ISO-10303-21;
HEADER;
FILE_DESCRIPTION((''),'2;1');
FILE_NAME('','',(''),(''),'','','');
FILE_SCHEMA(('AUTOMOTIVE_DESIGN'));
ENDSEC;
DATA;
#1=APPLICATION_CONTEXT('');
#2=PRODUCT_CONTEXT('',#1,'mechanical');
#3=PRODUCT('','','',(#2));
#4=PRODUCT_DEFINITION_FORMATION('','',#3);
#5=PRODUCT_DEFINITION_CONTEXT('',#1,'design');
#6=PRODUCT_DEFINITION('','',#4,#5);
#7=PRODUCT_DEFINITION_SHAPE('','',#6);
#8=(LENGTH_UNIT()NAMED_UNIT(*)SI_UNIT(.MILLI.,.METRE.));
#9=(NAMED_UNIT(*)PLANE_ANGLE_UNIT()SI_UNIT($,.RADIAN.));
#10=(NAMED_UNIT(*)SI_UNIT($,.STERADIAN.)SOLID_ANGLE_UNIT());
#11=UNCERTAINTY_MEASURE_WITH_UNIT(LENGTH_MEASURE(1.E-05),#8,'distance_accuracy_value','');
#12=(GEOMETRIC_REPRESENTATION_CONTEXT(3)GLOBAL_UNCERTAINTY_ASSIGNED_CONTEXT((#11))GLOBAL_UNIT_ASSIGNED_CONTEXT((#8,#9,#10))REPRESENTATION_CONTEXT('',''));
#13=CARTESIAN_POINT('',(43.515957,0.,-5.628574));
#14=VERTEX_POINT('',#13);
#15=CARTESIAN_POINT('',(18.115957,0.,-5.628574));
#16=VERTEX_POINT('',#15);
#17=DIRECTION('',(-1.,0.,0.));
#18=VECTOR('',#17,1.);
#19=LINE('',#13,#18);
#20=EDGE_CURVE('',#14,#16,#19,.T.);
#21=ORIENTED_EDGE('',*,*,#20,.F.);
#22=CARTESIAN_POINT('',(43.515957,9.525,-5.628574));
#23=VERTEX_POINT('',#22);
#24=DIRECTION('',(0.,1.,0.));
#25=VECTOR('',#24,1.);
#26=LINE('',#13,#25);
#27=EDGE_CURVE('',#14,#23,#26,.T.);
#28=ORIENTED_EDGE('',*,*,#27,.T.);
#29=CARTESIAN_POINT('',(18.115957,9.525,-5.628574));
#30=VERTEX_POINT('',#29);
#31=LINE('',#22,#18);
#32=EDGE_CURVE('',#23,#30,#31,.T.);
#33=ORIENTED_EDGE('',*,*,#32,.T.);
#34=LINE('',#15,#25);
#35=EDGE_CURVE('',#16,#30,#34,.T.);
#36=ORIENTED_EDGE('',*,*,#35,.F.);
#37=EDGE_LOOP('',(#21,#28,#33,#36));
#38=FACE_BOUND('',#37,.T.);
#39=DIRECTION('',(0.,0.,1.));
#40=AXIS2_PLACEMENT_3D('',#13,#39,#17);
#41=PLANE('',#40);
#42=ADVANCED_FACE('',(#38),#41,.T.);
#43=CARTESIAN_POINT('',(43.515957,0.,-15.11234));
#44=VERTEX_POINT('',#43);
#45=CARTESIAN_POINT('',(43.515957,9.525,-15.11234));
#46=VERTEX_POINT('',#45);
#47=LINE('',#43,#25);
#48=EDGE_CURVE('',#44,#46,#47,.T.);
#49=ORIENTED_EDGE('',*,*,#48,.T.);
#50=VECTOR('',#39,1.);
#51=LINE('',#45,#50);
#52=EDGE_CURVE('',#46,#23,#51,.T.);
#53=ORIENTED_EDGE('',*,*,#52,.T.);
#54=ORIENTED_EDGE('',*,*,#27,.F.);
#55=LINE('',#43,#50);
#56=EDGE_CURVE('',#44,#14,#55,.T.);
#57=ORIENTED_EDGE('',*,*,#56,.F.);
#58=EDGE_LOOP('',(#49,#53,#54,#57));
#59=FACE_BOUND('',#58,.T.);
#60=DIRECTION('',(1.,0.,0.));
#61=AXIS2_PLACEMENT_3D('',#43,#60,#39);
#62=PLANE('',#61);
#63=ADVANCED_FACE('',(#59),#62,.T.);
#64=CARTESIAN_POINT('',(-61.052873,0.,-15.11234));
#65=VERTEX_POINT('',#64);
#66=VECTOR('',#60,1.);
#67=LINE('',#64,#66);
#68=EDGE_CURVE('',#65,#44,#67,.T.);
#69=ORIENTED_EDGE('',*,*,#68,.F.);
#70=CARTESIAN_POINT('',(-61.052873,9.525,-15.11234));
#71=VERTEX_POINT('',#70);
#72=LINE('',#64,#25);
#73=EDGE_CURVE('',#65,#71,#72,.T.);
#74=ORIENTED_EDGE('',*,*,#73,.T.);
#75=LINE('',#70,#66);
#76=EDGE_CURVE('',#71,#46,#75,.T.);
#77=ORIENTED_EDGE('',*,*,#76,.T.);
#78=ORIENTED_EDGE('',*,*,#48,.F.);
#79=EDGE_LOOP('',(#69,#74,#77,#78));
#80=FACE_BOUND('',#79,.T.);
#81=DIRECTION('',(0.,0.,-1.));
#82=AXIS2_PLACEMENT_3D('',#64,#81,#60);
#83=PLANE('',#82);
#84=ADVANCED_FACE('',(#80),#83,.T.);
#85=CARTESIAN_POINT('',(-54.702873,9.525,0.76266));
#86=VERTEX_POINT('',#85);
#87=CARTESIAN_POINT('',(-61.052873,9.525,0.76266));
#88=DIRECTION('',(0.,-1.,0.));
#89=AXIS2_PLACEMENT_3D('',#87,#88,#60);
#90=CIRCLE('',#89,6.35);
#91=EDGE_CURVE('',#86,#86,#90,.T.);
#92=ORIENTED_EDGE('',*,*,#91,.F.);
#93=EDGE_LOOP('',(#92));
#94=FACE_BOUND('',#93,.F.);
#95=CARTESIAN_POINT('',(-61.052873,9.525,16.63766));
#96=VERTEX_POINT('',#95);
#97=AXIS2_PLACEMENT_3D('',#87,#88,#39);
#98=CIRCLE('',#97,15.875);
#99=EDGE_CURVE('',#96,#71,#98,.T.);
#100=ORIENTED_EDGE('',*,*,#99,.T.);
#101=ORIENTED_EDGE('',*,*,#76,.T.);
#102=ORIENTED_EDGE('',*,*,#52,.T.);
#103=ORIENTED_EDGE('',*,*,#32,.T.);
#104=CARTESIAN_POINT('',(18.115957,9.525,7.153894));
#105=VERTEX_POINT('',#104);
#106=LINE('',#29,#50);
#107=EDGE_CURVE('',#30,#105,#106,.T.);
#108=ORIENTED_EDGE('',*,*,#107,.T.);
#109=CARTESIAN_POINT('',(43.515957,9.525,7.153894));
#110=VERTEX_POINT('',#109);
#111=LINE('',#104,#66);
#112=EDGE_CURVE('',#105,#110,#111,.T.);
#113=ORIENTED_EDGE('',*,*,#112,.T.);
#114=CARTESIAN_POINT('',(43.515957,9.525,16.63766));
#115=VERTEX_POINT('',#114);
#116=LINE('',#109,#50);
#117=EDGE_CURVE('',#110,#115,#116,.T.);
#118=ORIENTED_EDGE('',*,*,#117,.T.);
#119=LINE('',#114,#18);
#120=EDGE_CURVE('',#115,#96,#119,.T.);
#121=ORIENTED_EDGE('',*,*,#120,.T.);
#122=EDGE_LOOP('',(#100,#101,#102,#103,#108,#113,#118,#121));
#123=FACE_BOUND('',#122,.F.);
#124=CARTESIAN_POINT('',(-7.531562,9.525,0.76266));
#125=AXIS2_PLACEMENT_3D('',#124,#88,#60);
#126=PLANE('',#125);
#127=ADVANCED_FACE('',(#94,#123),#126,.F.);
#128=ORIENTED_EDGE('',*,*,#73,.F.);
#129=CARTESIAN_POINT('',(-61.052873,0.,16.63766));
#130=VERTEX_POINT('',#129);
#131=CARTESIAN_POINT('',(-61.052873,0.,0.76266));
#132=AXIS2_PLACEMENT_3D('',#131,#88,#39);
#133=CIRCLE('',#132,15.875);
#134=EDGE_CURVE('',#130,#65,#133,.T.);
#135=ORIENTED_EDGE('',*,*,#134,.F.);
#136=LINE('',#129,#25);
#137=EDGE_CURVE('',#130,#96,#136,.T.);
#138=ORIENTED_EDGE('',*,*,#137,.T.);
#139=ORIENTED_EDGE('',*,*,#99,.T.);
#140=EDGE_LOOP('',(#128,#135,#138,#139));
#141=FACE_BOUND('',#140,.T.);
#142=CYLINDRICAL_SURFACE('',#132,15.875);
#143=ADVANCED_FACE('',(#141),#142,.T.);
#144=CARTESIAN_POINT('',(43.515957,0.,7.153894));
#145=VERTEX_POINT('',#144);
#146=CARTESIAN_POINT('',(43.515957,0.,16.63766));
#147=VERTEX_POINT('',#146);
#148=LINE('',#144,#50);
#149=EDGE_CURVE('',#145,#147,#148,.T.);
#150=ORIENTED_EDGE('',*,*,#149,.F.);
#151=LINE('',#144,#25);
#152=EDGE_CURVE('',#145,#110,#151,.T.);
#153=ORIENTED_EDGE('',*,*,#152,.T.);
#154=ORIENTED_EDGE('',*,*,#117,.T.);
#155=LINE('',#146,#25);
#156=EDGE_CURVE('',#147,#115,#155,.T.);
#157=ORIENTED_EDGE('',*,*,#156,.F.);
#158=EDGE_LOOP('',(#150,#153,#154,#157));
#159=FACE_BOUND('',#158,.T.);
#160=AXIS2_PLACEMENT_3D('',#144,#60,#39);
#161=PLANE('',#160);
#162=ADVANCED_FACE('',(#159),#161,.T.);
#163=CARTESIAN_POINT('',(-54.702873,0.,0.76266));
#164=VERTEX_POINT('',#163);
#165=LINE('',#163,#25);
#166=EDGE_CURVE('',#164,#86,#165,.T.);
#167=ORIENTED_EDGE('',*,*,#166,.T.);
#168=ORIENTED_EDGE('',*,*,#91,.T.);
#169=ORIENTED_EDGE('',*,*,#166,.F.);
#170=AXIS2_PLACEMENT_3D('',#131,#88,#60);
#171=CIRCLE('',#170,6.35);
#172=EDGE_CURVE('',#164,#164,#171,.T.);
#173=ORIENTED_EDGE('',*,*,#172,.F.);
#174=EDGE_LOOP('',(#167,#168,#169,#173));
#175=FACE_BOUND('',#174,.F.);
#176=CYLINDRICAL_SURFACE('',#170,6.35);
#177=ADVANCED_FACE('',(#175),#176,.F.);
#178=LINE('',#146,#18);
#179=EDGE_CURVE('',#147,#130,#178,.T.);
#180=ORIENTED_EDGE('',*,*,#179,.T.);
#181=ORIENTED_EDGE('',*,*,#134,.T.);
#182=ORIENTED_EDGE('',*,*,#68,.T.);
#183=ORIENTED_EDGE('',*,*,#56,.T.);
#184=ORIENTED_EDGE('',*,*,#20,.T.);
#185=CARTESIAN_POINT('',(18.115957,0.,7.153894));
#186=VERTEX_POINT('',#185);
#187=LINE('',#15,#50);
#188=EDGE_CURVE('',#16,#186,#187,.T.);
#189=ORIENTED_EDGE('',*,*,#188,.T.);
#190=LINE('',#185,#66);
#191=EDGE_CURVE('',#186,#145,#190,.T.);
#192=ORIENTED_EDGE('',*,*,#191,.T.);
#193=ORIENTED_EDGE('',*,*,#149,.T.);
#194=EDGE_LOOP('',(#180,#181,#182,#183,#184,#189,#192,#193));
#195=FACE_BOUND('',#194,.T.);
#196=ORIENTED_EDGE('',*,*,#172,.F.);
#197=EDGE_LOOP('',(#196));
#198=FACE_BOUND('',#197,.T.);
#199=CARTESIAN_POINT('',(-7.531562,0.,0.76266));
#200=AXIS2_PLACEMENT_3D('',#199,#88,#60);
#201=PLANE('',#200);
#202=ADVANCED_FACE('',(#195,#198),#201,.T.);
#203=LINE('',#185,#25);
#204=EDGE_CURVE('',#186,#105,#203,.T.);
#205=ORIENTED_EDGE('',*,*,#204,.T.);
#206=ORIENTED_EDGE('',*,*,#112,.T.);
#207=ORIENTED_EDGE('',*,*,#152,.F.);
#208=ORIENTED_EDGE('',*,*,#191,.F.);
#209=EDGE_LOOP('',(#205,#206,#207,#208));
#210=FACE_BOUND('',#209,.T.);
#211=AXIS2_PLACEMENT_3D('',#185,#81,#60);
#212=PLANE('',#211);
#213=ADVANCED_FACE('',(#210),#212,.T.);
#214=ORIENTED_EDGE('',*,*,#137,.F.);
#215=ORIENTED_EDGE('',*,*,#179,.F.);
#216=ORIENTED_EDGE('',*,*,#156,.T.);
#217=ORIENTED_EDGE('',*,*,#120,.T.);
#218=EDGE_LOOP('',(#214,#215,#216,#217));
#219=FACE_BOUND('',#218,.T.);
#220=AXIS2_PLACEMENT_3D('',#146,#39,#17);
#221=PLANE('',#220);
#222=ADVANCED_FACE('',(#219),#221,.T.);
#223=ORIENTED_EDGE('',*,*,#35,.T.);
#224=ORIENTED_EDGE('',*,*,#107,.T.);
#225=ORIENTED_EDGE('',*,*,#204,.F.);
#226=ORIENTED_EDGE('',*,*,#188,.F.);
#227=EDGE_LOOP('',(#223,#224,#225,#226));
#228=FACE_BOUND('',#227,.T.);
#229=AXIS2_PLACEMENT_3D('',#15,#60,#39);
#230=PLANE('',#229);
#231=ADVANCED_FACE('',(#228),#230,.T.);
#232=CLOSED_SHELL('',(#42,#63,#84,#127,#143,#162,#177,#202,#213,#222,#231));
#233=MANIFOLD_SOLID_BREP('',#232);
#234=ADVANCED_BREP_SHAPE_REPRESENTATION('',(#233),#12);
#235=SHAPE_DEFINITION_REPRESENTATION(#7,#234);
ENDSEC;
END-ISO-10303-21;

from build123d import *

# Parameters (mm, degrees)
F0_R     = 6.35
F1_DEPTH = 9.525


with BuildPart() as f1:
    # F0 (on Front) → F1 (new body)
    with BuildSketch(Plane.XZ):
        with BuildLine():
            ThreePointArc((-61.052873, 16.63766), (-76.927873, 0.76266), (-61.052873, -15.11234))
            Line((-61.052873, -15.11234), (43.515957, -15.11234))
            Line((43.515957, -15.11234), (43.515957, -5.628574))
            Line((43.515957, -5.628574), (18.115957, -5.628574))
            Line((18.115957, -5.628574), (18.115957, 7.153894))
            Line((18.115957, 7.153894), (43.515957, 7.153894))
            Line((43.515957, 7.153894), (43.515957, 16.63766))
            Line((43.515957, 16.63766), (18.115957, 16.63766))
            Line((18.115957, 16.63766), (-61.052873, 16.63766))
        make_face()
        with Locations((-61.052873, 0.76266)):
            Circle(F0_R, mode=Mode.SUBTRACT)
    extrude(amount=-F1_DEPTH)


solid = f1.part
